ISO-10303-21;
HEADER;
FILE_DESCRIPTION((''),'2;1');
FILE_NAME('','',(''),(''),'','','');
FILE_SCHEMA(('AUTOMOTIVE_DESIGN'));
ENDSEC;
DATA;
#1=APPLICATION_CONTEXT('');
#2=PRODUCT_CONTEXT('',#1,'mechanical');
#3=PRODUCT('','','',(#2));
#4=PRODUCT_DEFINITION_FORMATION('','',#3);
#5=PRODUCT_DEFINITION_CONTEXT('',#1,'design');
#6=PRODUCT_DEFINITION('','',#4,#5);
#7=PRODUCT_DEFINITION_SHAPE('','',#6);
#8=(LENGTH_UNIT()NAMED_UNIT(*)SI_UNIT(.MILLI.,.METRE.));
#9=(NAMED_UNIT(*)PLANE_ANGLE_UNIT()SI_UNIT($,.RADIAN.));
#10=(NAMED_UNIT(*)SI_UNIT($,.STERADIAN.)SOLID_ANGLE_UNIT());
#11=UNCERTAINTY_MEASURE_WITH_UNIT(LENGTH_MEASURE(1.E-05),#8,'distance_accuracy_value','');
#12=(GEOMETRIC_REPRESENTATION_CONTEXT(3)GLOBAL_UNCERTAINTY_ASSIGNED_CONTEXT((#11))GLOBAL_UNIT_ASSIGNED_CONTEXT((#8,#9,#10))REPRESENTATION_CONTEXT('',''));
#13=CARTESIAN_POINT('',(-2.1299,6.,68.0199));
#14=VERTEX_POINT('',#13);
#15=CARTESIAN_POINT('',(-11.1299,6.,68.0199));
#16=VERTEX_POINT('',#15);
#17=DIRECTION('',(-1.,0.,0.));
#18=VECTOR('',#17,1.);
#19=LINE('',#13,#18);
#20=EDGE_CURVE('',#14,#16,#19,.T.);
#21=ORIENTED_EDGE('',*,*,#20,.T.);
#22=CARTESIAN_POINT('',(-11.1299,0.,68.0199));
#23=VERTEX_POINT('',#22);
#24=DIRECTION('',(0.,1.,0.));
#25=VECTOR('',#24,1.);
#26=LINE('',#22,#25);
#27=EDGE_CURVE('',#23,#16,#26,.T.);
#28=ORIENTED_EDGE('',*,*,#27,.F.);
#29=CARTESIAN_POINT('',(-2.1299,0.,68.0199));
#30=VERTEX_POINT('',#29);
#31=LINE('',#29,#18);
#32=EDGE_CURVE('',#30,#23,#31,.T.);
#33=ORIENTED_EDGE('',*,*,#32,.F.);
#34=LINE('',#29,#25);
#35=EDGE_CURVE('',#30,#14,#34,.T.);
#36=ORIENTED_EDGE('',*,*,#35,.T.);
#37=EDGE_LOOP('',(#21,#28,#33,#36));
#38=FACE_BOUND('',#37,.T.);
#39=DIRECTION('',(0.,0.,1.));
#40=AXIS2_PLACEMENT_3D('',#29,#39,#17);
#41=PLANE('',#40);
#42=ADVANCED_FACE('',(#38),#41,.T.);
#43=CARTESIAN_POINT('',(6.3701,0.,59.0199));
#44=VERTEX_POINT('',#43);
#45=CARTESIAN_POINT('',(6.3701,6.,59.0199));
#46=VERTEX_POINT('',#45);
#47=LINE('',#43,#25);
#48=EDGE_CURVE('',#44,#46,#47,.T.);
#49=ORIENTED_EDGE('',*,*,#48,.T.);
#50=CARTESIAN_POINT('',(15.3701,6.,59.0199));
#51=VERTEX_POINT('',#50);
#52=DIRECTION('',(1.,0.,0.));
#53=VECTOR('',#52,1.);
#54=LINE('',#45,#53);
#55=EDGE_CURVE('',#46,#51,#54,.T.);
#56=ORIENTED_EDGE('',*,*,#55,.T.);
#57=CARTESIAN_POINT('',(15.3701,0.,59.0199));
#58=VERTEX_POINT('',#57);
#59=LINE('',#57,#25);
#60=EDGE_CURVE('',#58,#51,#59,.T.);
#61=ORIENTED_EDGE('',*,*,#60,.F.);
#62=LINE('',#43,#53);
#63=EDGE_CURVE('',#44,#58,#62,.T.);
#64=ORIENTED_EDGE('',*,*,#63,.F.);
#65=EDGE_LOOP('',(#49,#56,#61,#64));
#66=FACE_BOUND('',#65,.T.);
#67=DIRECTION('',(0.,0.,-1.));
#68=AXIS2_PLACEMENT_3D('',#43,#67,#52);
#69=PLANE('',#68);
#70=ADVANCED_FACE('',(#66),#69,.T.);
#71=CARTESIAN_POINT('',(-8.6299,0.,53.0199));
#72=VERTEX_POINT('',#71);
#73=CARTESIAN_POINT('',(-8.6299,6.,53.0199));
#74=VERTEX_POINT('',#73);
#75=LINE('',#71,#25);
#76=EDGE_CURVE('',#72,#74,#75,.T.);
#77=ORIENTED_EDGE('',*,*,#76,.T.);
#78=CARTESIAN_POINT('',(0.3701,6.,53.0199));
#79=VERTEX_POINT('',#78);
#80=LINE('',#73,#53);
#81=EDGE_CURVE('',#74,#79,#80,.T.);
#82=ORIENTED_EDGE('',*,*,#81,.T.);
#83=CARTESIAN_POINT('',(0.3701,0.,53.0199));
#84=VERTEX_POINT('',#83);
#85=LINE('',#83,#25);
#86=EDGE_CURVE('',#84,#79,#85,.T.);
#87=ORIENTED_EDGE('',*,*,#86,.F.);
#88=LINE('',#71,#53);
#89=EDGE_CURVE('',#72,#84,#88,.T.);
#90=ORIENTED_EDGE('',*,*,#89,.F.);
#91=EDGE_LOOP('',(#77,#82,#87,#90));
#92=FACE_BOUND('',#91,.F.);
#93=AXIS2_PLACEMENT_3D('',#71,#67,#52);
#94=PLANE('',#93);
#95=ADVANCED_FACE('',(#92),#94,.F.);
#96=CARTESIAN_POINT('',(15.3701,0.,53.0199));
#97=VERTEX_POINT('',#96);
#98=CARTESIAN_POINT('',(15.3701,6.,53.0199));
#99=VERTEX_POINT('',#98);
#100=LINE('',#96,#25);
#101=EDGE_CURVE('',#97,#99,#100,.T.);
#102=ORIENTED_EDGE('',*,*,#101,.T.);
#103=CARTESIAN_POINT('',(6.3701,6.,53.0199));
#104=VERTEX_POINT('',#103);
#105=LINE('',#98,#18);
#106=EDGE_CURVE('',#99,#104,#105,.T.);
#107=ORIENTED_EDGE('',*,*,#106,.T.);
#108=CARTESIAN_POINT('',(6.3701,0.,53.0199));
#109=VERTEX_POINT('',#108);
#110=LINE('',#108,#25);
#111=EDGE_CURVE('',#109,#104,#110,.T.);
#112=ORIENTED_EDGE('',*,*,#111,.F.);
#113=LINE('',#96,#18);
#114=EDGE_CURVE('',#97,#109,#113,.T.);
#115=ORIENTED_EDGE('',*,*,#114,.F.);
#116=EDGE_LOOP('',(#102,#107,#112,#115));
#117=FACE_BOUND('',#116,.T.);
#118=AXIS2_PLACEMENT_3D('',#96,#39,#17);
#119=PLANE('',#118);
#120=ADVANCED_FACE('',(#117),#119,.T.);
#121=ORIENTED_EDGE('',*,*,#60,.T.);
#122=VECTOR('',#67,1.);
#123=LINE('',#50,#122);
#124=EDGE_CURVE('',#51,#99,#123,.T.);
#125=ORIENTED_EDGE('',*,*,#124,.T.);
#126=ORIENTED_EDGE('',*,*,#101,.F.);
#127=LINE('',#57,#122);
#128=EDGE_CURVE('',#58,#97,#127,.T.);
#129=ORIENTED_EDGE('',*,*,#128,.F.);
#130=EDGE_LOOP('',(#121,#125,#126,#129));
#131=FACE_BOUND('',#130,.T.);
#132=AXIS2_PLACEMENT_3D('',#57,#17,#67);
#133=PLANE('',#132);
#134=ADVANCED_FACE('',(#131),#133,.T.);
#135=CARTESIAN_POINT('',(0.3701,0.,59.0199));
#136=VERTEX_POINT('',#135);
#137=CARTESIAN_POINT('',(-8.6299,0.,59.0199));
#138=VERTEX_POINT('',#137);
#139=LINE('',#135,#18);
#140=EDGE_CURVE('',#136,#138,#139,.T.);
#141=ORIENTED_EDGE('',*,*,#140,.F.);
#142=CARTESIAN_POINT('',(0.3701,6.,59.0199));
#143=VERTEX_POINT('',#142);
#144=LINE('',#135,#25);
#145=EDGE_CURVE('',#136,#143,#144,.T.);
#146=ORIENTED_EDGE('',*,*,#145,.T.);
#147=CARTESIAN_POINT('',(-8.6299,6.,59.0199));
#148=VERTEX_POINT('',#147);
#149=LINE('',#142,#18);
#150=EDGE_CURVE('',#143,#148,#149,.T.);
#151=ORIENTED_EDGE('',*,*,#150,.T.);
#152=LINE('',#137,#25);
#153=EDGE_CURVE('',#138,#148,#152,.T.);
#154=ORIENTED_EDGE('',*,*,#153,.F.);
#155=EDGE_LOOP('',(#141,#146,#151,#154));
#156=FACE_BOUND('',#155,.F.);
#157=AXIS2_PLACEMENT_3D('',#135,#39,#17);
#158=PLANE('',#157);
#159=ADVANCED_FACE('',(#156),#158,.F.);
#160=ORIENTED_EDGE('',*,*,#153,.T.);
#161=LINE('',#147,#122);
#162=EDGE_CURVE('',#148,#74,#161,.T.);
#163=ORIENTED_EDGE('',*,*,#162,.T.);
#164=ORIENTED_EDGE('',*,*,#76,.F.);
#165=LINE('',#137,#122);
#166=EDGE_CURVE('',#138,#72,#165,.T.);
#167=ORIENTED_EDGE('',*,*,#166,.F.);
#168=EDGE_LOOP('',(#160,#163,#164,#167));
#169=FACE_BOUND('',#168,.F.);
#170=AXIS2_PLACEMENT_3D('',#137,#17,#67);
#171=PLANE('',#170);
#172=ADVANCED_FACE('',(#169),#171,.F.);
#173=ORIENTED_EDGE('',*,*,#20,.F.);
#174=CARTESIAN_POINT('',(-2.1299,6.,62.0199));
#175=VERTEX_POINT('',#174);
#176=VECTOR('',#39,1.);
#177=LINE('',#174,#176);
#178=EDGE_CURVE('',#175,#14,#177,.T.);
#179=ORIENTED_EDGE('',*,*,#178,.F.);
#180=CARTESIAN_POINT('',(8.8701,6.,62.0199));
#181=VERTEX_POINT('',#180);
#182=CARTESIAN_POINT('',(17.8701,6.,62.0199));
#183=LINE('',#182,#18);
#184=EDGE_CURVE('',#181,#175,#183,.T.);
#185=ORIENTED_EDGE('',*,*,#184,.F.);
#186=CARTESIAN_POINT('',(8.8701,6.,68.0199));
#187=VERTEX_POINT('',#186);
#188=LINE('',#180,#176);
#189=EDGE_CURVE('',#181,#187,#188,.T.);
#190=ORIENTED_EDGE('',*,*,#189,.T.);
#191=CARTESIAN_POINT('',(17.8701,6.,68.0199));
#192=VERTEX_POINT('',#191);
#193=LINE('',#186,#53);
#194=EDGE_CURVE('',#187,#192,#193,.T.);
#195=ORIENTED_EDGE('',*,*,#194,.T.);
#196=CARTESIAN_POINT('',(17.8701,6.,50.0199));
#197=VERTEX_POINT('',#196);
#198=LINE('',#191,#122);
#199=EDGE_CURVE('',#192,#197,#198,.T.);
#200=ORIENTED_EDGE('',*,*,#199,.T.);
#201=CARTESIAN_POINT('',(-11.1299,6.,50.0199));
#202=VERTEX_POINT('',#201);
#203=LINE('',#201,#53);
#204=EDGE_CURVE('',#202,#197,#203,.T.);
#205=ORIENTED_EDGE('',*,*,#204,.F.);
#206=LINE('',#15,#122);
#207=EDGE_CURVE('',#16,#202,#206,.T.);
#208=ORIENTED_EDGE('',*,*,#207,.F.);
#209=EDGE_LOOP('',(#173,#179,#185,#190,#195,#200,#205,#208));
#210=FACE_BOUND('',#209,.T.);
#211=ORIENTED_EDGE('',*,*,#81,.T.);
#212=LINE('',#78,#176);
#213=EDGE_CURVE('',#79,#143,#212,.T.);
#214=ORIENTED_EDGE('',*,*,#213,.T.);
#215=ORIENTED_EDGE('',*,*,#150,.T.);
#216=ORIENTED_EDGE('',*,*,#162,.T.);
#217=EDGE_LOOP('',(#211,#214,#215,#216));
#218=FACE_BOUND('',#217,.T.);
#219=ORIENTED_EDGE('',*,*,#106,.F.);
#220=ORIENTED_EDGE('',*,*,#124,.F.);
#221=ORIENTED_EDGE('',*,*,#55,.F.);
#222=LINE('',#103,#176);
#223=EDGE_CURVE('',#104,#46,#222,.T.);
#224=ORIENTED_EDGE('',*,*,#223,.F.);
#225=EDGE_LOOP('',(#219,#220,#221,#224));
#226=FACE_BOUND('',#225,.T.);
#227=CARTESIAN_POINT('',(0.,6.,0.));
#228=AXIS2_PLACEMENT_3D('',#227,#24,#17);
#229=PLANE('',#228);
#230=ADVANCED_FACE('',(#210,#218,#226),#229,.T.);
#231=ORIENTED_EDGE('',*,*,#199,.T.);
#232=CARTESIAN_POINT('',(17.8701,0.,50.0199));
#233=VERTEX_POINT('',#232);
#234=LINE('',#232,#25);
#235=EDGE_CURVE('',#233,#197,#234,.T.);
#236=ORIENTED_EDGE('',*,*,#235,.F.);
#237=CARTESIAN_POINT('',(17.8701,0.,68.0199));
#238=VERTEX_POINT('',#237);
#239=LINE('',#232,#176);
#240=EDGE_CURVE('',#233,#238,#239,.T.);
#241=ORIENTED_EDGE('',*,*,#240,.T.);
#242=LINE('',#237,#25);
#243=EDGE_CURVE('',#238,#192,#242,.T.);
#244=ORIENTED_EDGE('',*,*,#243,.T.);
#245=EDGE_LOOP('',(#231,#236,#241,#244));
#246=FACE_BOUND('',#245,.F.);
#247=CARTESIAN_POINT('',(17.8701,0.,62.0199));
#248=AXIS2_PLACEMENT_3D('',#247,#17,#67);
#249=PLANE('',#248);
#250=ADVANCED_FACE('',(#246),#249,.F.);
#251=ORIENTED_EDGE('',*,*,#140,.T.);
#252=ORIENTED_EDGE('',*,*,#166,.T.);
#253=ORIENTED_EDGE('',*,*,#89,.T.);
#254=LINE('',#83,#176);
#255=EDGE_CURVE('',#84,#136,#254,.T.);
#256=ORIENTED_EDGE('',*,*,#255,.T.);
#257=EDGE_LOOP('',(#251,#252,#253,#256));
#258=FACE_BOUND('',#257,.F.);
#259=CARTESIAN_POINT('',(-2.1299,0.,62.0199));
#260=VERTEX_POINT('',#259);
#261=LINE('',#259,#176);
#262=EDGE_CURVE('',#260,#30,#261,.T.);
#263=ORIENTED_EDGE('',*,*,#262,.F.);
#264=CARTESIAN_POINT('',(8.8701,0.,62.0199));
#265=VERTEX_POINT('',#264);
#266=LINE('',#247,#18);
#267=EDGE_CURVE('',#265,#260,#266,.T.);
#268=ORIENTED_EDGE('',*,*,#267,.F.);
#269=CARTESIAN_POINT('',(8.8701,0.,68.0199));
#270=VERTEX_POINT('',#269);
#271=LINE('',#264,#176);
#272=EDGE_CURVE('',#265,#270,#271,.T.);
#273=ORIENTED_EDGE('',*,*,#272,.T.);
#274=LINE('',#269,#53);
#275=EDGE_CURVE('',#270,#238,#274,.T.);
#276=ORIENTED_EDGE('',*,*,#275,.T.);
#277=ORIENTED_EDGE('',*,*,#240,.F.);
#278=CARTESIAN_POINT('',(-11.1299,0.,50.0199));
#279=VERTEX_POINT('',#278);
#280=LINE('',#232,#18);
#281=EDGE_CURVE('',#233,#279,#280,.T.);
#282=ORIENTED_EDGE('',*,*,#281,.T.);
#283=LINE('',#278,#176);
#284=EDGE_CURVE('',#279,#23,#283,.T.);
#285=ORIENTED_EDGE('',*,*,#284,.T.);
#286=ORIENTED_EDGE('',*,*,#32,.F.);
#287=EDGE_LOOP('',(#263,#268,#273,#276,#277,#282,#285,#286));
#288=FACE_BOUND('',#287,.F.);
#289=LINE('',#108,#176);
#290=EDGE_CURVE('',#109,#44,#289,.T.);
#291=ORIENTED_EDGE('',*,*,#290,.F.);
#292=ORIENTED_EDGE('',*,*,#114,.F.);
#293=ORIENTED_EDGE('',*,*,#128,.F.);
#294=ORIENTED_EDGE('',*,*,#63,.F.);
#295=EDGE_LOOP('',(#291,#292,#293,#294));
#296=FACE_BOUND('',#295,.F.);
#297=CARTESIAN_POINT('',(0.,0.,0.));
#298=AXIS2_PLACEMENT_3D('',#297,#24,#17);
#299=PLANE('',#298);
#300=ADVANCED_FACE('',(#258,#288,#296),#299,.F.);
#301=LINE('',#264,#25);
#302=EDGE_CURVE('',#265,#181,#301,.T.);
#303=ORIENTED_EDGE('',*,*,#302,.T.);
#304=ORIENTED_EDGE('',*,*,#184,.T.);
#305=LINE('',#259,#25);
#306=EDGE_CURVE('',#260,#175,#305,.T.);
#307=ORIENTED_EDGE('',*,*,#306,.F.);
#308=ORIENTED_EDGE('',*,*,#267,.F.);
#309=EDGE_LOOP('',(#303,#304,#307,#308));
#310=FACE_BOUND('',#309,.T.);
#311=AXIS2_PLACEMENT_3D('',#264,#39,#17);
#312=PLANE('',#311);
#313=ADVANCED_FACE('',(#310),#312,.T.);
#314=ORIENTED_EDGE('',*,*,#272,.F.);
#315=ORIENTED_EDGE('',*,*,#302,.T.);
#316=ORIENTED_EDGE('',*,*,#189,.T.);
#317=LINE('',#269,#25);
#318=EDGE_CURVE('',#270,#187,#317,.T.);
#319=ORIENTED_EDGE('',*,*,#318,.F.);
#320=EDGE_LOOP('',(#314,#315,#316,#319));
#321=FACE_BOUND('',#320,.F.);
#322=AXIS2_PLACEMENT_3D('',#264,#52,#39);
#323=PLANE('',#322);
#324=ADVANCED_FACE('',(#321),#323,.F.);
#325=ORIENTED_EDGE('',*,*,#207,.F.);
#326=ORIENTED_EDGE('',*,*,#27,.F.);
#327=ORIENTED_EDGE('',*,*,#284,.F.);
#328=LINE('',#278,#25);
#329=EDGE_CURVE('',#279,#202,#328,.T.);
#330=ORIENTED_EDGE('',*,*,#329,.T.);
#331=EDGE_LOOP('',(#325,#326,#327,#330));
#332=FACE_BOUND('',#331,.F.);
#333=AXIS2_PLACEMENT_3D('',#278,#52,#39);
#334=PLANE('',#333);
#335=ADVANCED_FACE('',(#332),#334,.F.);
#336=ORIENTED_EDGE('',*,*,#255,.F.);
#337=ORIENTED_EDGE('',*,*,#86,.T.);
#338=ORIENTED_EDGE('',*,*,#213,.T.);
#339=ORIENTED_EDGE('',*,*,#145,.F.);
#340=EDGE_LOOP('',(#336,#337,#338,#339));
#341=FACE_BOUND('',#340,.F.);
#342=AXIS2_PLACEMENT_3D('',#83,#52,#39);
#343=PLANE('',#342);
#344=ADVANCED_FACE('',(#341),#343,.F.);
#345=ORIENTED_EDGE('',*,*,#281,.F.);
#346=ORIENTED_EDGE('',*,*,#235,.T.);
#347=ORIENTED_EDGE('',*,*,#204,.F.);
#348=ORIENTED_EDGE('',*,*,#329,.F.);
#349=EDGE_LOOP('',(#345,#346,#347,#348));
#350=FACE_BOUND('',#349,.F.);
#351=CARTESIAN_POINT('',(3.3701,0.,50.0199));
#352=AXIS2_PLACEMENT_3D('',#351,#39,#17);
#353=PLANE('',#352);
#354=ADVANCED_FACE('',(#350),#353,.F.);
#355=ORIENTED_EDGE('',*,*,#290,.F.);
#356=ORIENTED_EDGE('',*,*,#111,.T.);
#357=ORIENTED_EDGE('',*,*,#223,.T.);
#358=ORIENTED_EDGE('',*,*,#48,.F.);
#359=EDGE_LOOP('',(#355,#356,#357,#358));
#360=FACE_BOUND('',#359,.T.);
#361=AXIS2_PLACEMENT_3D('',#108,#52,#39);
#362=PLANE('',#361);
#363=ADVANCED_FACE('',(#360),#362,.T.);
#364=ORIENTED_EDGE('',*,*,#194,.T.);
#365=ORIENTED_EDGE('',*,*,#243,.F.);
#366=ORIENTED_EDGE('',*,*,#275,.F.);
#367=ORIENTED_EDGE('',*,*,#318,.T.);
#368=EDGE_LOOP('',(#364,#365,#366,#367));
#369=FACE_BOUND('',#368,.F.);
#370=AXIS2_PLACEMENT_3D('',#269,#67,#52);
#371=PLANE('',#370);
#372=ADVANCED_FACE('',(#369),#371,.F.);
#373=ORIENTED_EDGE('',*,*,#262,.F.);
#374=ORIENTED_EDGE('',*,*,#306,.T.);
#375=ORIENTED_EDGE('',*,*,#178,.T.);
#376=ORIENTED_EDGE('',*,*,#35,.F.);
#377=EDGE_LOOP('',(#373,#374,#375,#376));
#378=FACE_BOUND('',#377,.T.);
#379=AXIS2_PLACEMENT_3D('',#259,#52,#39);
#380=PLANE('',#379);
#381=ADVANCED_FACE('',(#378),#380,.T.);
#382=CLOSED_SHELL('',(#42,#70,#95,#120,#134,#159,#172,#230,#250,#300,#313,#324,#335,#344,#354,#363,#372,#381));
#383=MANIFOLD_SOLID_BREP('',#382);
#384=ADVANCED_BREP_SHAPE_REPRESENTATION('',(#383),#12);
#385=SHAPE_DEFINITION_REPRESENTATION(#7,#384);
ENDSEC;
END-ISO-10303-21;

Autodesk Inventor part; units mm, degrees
ref_plane "YZ Plane" through (0, 0, 0) normal (1, 0, 0) x (0, 1, 0)
ref_plane "XZ Plane" through (0, 0, 0) normal (0, 1, 0) x (-1, 0, 0)
ref_plane "XY Plane" through (0, 0, 0) normal (0, 0, 1) x (1, 0, 0)
sketch "Sketch1" plane through (0, 0, 0) normal (0, 1, 0) x (-1, 0, 0)
  line L0 (11.1299, 50.0199) -> (11.1299, 62.0199)
  line L1 (-17.8701, 62.0199) -> (-17.8701, 50.0199)
  line L2 (-17.8701, 50.0199) -> (-3.3701, 50.0199)
  line L3 (-3.3701, 50.0199) -> (-3.3701, 62.0199) construction
  line L4 (-17.8701, 56.0199) -> (-3.3701, 56.0199) construction
  line L5 (-17.8701, 62.0199) -> (11.1299, 62.0199)
  line L6 (-17.8701, 62.0199) -> (-8.8701, 62.0199)
  line L7 (-8.8701, 62.0199) -> (-8.8701, 68.0199)
  line L8 (-8.8701, 68.0199) -> (-17.8701, 68.0199)
  line L9 (-17.8701, 68.0199) -> (-17.8701, 62.0199)
  line L10 (11.1299, 62.0199) -> (2.1299, 62.0199)
  line L11 (2.1299, 62.0199) -> (2.1299, 68.0199)
  line L12 (2.1299, 68.0199) -> (11.1299, 68.0199)
  line L13 (11.1299, 68.0199) -> (11.1299, 62.0199)
  line L14 (-3.3701, 56.0199) -> (11.1299, 56.0199) construction
  line L15 (-3.3701, 50.0199) -> (11.1299, 50.0199)
  line L16 (-0.3701, 59.0199) -> (8.6299, 59.0199)
  line L17 (8.6299, 59.0199) -> (8.6299, 53.0199)
  line L18 (8.6299, 53.0199) -> (-0.3701, 53.0199)
  line L19 (-0.3701, 53.0199) -> (-0.3701, 59.0199)
  line L20 (-0.3701, 59.0199) -> (8.6299, 53.0199) construction
  line L21 (8.6299, 59.0199) -> (-0.3701, 53.0199) construction
  line L22 (-6.3701, 59.0199) -> (-15.3701, 59.0199)
  line L23 (-15.3701, 59.0199) -> (-15.3701, 53.0199)
  line L24 (-15.3701, 53.0199) -> (-6.3701, 53.0199)
  line L25 (-6.3701, 53.0199) -> (-6.3701, 59.0199)
  line L26 (-6.3701, 59.0199) -> (-15.3701, 53.0199) construction
  line L27 (-15.3701, 59.0199) -> (-6.3701, 53.0199) construction
  point P0 (4.1299, 56.0199)
  point P1 (-10.8701, 56.0199)
  dimension "d0" = 29
  dimension "d1" = 12
  dimension "d18" = 9
  dimension "d19" = 6
  dimension "d20" = 14.5
  dimension "d61" = 9
  dimension "d62" = 6
  dimension "d63" = 6
  dimension "d64" = 3
extrude "Extrusion1" add sketch "Sketch1" along normal blind 6
properties part number "thumper-bumper-sidewall2-v3"
